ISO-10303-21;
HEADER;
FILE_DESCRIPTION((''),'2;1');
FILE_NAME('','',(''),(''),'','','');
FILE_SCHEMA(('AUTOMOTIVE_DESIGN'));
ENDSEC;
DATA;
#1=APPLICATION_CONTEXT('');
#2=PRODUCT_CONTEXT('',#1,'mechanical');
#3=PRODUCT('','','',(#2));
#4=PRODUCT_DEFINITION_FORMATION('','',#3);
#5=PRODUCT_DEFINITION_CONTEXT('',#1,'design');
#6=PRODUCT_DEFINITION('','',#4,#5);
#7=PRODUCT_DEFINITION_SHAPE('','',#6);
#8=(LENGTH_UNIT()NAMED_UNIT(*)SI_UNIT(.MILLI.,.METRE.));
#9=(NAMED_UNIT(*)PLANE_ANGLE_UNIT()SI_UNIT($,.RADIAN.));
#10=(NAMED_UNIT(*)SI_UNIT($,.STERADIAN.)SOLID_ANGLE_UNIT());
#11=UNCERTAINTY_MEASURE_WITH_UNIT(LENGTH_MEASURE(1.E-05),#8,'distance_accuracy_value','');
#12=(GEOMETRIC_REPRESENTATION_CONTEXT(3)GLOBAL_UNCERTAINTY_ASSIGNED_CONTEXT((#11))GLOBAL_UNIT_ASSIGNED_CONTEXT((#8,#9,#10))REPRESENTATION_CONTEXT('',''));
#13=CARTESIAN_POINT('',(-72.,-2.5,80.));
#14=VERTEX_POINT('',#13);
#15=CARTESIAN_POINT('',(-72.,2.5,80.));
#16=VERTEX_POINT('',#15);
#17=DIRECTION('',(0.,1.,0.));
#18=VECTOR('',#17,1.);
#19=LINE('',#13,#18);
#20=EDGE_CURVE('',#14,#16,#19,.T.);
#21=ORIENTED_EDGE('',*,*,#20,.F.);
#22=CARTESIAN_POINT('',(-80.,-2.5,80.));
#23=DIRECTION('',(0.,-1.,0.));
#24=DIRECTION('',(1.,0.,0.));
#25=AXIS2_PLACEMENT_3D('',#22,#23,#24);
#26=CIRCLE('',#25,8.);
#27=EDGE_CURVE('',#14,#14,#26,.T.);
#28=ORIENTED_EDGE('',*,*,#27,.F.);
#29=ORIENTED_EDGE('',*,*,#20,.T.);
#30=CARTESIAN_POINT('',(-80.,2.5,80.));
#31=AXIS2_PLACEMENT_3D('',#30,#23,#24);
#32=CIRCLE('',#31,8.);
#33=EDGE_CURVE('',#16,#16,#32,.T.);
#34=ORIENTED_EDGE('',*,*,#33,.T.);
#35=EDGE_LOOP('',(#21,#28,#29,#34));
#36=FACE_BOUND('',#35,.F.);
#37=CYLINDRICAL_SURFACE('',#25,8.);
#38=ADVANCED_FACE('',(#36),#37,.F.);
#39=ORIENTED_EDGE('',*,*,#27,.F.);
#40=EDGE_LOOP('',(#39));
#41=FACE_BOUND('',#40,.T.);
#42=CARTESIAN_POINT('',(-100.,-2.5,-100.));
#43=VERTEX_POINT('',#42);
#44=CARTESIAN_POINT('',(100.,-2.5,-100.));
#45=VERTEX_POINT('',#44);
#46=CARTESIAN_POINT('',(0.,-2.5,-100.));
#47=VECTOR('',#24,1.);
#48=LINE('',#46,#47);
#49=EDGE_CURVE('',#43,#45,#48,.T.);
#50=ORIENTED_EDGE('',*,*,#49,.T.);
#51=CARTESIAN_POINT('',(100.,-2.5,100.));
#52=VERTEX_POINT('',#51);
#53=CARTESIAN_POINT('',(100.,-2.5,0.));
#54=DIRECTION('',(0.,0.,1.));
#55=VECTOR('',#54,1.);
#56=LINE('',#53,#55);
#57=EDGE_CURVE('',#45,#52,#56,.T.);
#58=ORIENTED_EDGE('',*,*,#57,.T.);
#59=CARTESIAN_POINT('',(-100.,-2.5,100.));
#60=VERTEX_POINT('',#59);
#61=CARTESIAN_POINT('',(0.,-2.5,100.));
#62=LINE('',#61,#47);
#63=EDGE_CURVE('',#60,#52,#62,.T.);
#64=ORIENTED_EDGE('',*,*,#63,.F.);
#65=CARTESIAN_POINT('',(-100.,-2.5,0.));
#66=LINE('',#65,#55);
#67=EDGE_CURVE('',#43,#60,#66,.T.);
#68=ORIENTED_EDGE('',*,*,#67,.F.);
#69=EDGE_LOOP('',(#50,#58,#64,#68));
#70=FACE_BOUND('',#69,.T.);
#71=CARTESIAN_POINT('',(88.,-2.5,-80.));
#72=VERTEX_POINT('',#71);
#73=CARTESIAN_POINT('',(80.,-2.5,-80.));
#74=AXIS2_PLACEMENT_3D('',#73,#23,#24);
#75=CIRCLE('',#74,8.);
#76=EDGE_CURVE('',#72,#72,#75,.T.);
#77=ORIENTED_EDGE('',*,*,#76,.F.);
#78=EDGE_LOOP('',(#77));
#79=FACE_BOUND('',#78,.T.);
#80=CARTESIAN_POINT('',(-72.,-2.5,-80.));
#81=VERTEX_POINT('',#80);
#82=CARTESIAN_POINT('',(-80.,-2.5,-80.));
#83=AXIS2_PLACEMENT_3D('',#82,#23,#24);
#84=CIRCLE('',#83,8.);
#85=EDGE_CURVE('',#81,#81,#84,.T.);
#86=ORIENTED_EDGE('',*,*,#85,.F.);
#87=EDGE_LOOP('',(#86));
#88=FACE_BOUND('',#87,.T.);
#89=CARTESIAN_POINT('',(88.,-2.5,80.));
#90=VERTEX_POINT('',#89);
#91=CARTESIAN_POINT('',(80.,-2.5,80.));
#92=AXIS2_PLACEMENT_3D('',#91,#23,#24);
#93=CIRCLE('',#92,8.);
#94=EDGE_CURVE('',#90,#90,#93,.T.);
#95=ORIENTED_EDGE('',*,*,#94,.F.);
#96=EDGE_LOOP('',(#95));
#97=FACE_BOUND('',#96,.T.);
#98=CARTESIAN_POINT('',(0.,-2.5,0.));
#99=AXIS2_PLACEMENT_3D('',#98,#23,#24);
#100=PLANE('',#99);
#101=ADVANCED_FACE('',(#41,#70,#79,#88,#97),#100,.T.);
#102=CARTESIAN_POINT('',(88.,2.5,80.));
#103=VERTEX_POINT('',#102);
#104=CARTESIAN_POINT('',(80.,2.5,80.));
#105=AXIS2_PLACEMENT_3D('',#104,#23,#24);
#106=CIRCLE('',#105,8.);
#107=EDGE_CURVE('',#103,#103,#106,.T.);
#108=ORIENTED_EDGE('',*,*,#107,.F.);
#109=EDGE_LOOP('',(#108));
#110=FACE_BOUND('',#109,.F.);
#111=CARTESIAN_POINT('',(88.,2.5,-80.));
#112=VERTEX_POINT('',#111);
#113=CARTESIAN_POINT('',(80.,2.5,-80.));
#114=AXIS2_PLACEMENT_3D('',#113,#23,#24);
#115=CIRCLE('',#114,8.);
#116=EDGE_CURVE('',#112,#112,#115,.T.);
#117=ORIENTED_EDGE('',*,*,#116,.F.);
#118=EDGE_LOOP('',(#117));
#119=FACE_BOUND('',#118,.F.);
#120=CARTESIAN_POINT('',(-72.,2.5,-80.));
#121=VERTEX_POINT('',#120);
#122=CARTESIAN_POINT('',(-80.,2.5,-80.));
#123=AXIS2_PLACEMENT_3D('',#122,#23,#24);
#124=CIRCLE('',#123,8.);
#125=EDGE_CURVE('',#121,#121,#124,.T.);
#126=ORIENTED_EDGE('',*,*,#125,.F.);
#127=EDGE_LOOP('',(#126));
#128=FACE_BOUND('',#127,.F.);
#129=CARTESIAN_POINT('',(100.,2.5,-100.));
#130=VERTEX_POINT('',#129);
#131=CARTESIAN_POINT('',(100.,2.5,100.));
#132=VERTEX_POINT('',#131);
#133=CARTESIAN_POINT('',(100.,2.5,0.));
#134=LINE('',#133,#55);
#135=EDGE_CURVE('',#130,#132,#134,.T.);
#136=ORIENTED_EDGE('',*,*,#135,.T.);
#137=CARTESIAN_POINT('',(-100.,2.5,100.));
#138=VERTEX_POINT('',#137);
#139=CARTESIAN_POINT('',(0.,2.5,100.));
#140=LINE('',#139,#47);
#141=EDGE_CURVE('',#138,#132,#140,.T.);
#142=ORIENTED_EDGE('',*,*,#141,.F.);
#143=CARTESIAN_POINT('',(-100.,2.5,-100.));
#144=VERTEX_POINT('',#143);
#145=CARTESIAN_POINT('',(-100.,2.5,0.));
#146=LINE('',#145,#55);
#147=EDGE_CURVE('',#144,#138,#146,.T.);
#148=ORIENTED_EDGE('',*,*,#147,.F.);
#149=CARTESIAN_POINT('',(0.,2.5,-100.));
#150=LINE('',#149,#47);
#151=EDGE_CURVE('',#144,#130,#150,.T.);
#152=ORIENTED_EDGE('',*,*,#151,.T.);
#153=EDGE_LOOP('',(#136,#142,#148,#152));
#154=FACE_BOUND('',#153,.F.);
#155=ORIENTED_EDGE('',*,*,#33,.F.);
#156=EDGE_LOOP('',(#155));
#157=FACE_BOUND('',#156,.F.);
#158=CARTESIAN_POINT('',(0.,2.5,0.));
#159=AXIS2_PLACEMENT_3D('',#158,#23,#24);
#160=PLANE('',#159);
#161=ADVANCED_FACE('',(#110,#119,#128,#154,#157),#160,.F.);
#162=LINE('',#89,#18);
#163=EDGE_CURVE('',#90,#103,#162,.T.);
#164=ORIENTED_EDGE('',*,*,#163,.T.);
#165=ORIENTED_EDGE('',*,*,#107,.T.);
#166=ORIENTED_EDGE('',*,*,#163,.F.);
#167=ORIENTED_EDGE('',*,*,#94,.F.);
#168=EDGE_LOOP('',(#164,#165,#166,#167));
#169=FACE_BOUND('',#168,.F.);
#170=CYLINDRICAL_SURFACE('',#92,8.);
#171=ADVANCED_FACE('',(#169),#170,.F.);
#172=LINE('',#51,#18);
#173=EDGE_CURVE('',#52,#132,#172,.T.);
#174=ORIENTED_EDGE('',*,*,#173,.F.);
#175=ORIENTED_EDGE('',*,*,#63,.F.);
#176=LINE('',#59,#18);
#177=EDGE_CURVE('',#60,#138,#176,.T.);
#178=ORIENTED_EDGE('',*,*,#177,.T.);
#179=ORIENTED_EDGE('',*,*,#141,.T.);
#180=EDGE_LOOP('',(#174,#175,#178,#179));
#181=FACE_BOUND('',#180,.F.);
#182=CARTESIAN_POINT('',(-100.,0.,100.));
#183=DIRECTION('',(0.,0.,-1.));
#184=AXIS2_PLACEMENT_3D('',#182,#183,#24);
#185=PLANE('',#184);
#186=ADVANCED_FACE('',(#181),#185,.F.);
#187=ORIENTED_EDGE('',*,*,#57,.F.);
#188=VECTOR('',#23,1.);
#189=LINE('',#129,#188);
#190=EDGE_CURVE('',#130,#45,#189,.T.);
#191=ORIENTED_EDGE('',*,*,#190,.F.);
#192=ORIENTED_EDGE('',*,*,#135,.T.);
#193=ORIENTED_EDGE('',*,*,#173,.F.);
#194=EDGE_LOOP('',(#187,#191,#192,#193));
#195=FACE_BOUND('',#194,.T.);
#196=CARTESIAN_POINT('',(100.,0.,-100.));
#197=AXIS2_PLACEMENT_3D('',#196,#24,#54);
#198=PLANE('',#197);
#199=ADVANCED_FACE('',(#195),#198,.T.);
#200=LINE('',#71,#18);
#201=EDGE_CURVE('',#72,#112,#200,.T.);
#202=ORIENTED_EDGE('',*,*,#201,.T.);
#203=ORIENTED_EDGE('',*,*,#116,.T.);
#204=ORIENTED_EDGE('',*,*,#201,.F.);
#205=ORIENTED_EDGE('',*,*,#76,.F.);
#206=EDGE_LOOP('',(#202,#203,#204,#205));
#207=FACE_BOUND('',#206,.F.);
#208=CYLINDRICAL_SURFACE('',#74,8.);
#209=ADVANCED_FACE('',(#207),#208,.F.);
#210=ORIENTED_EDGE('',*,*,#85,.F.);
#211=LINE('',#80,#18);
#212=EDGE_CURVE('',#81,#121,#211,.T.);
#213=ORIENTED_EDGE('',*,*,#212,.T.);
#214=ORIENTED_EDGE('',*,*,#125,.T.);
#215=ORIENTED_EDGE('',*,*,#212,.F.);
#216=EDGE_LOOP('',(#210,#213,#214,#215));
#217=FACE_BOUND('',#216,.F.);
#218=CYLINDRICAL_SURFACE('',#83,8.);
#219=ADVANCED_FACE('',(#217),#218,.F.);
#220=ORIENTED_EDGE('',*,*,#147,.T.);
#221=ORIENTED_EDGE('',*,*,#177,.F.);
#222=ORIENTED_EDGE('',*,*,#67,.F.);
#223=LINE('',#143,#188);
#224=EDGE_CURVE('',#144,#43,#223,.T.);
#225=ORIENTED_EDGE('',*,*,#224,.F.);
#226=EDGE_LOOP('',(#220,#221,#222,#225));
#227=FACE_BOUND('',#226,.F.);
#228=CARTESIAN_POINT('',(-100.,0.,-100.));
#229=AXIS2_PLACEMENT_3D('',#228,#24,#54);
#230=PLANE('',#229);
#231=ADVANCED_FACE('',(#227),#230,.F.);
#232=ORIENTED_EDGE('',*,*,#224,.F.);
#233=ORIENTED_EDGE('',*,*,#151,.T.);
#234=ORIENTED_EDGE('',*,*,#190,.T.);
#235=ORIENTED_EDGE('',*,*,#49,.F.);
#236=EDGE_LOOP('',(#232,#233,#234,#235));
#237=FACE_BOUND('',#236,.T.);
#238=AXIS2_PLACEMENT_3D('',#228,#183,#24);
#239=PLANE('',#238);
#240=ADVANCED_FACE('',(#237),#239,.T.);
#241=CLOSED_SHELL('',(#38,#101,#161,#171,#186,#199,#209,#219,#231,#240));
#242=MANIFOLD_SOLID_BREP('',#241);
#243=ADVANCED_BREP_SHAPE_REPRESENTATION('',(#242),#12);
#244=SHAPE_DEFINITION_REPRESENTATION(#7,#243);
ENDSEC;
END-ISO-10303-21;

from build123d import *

# Parameters (mm, degrees)
F0_W     = 200
F0_H     = 200
F1_DEPTH = 2.5
F2_R     = 8
F3_DEPTH = 5.001


with BuildPart() as f1:
    # F0 (on Front) → F1 (new body, symmetric)
    with BuildSketch(Plane.XZ):
        Rectangle(F0_W, F0_H)
    extrude(amount=F1_DEPTH, both=True)

    # F2 (on face) → F3 (cut, through all)
    with BuildSketch(Plane.XZ.offset(2.5)):
        with Locations((-80, 80)):
            Circle(F2_R)
        with Locations((80, 80)):
            Circle(F2_R)
        with Locations((80, -80)):
            Circle(F2_R)
        with Locations((-80, -80)):
            Circle(F2_R)
    extrude(amount=-F3_DEPTH, mode=Mode.SUBTRACT)


solid = f1.part
